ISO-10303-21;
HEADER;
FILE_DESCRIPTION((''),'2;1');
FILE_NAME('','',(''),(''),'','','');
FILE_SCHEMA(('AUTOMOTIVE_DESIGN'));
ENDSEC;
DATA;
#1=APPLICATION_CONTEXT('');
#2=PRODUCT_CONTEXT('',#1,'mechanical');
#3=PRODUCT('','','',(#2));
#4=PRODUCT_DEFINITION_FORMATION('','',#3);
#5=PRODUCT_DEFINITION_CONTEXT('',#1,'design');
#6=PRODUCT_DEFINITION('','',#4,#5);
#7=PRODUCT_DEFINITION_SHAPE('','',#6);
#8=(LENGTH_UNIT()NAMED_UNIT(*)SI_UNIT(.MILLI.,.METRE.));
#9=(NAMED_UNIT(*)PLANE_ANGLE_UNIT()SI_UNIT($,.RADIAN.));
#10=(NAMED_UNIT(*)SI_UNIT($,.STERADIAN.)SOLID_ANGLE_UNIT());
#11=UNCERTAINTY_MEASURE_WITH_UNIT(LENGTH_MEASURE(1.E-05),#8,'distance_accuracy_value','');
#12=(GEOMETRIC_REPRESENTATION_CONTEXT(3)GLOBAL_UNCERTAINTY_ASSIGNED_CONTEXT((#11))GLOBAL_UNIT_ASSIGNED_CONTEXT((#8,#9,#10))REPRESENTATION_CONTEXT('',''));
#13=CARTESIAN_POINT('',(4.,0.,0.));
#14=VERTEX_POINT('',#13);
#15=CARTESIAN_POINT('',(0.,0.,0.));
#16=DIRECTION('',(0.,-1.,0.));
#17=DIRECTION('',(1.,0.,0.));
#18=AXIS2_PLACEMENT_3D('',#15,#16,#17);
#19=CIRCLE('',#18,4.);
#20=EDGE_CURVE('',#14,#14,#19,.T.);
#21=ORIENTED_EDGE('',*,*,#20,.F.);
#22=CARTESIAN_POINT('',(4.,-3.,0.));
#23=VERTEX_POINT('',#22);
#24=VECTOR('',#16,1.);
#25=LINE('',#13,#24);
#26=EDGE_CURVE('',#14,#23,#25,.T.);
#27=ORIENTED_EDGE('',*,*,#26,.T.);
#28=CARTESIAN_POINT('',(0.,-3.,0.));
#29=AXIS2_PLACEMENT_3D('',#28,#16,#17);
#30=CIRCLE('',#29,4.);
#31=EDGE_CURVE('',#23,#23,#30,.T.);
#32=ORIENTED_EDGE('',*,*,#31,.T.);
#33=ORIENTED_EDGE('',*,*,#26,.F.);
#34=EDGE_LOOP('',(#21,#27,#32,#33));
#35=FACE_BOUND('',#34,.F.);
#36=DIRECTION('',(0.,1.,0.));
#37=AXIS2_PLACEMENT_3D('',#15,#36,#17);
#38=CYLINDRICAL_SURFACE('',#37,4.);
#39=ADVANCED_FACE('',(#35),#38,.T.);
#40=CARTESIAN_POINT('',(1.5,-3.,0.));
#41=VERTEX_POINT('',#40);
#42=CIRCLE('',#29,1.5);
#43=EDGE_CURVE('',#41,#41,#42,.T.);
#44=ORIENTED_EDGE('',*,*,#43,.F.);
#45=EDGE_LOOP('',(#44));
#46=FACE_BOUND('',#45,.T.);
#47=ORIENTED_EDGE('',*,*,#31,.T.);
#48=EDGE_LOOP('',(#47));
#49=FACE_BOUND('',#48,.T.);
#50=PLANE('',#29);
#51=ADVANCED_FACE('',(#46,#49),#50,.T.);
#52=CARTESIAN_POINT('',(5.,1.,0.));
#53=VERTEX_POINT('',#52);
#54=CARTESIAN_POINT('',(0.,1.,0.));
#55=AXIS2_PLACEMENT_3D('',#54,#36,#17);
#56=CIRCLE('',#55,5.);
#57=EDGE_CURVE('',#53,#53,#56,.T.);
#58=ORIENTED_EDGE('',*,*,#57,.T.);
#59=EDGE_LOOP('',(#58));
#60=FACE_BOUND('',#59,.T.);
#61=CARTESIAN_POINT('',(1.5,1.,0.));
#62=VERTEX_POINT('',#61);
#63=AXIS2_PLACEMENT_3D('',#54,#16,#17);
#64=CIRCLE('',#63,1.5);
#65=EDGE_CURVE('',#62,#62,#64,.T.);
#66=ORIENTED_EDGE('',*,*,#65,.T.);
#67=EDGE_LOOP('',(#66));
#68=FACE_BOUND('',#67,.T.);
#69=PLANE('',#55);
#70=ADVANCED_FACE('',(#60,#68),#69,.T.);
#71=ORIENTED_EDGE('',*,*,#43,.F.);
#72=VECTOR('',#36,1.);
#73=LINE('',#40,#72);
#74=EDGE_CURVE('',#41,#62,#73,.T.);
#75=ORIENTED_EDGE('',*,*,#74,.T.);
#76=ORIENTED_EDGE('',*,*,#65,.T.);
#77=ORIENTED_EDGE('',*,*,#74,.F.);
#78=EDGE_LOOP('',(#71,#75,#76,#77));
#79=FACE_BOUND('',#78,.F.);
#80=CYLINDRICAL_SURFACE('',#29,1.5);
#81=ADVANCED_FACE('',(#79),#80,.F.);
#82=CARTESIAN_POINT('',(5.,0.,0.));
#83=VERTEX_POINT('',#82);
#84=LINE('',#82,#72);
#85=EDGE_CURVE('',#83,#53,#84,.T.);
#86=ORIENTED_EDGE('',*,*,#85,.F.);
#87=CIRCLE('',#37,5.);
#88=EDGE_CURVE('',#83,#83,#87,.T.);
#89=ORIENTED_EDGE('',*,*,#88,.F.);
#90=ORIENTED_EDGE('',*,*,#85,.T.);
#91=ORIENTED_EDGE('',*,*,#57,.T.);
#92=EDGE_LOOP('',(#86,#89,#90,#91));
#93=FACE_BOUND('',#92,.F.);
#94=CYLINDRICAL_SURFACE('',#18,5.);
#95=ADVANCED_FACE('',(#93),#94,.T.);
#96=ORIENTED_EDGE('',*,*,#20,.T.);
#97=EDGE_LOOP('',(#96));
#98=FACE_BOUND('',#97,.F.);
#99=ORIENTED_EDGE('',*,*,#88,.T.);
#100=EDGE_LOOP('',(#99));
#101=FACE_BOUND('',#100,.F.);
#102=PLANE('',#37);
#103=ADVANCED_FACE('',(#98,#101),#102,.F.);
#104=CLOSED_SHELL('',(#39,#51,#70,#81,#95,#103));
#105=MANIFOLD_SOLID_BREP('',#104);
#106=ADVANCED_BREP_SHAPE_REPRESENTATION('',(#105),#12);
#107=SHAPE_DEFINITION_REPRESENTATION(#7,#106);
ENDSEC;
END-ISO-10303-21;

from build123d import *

# Parameters (mm, degrees)
SKETCH1_R           = 5
BOSS_EXTRUDE1_DEPTH = 1
SKETCH2_R           = 4
BOSS_EXTRUDE2_DEPTH = 3
SKETCH3_R           = 1.5
CUT_EXTRUDE1_DEPTH  = 13


with BuildPart() as part:
    # Sketch1 → Boss-Extrude1 (new body)
    with BuildSketch(Plane(origin=(0, 0, 0), x_dir=(1, 0, 0), z_dir=(0, 1, 0))):
        Circle(SKETCH1_R)
    extrude(amount=BOSS_EXTRUDE1_DEPTH)

    # Sketch2 → Boss-Extrude2 (add)
    with BuildSketch(Plane.XZ):
        Circle(SKETCH2_R)
    extrude(amount=BOSS_EXTRUDE2_DEPTH)

    # Sketch3 → Cut-Extrude1 (cut)
    with BuildSketch(Plane.XZ.offset(3)):
        Circle(SKETCH3_R)
    extrude(amount=-CUT_EXTRUDE1_DEPTH, mode=Mode.SUBTRACT)


solid = part.part
